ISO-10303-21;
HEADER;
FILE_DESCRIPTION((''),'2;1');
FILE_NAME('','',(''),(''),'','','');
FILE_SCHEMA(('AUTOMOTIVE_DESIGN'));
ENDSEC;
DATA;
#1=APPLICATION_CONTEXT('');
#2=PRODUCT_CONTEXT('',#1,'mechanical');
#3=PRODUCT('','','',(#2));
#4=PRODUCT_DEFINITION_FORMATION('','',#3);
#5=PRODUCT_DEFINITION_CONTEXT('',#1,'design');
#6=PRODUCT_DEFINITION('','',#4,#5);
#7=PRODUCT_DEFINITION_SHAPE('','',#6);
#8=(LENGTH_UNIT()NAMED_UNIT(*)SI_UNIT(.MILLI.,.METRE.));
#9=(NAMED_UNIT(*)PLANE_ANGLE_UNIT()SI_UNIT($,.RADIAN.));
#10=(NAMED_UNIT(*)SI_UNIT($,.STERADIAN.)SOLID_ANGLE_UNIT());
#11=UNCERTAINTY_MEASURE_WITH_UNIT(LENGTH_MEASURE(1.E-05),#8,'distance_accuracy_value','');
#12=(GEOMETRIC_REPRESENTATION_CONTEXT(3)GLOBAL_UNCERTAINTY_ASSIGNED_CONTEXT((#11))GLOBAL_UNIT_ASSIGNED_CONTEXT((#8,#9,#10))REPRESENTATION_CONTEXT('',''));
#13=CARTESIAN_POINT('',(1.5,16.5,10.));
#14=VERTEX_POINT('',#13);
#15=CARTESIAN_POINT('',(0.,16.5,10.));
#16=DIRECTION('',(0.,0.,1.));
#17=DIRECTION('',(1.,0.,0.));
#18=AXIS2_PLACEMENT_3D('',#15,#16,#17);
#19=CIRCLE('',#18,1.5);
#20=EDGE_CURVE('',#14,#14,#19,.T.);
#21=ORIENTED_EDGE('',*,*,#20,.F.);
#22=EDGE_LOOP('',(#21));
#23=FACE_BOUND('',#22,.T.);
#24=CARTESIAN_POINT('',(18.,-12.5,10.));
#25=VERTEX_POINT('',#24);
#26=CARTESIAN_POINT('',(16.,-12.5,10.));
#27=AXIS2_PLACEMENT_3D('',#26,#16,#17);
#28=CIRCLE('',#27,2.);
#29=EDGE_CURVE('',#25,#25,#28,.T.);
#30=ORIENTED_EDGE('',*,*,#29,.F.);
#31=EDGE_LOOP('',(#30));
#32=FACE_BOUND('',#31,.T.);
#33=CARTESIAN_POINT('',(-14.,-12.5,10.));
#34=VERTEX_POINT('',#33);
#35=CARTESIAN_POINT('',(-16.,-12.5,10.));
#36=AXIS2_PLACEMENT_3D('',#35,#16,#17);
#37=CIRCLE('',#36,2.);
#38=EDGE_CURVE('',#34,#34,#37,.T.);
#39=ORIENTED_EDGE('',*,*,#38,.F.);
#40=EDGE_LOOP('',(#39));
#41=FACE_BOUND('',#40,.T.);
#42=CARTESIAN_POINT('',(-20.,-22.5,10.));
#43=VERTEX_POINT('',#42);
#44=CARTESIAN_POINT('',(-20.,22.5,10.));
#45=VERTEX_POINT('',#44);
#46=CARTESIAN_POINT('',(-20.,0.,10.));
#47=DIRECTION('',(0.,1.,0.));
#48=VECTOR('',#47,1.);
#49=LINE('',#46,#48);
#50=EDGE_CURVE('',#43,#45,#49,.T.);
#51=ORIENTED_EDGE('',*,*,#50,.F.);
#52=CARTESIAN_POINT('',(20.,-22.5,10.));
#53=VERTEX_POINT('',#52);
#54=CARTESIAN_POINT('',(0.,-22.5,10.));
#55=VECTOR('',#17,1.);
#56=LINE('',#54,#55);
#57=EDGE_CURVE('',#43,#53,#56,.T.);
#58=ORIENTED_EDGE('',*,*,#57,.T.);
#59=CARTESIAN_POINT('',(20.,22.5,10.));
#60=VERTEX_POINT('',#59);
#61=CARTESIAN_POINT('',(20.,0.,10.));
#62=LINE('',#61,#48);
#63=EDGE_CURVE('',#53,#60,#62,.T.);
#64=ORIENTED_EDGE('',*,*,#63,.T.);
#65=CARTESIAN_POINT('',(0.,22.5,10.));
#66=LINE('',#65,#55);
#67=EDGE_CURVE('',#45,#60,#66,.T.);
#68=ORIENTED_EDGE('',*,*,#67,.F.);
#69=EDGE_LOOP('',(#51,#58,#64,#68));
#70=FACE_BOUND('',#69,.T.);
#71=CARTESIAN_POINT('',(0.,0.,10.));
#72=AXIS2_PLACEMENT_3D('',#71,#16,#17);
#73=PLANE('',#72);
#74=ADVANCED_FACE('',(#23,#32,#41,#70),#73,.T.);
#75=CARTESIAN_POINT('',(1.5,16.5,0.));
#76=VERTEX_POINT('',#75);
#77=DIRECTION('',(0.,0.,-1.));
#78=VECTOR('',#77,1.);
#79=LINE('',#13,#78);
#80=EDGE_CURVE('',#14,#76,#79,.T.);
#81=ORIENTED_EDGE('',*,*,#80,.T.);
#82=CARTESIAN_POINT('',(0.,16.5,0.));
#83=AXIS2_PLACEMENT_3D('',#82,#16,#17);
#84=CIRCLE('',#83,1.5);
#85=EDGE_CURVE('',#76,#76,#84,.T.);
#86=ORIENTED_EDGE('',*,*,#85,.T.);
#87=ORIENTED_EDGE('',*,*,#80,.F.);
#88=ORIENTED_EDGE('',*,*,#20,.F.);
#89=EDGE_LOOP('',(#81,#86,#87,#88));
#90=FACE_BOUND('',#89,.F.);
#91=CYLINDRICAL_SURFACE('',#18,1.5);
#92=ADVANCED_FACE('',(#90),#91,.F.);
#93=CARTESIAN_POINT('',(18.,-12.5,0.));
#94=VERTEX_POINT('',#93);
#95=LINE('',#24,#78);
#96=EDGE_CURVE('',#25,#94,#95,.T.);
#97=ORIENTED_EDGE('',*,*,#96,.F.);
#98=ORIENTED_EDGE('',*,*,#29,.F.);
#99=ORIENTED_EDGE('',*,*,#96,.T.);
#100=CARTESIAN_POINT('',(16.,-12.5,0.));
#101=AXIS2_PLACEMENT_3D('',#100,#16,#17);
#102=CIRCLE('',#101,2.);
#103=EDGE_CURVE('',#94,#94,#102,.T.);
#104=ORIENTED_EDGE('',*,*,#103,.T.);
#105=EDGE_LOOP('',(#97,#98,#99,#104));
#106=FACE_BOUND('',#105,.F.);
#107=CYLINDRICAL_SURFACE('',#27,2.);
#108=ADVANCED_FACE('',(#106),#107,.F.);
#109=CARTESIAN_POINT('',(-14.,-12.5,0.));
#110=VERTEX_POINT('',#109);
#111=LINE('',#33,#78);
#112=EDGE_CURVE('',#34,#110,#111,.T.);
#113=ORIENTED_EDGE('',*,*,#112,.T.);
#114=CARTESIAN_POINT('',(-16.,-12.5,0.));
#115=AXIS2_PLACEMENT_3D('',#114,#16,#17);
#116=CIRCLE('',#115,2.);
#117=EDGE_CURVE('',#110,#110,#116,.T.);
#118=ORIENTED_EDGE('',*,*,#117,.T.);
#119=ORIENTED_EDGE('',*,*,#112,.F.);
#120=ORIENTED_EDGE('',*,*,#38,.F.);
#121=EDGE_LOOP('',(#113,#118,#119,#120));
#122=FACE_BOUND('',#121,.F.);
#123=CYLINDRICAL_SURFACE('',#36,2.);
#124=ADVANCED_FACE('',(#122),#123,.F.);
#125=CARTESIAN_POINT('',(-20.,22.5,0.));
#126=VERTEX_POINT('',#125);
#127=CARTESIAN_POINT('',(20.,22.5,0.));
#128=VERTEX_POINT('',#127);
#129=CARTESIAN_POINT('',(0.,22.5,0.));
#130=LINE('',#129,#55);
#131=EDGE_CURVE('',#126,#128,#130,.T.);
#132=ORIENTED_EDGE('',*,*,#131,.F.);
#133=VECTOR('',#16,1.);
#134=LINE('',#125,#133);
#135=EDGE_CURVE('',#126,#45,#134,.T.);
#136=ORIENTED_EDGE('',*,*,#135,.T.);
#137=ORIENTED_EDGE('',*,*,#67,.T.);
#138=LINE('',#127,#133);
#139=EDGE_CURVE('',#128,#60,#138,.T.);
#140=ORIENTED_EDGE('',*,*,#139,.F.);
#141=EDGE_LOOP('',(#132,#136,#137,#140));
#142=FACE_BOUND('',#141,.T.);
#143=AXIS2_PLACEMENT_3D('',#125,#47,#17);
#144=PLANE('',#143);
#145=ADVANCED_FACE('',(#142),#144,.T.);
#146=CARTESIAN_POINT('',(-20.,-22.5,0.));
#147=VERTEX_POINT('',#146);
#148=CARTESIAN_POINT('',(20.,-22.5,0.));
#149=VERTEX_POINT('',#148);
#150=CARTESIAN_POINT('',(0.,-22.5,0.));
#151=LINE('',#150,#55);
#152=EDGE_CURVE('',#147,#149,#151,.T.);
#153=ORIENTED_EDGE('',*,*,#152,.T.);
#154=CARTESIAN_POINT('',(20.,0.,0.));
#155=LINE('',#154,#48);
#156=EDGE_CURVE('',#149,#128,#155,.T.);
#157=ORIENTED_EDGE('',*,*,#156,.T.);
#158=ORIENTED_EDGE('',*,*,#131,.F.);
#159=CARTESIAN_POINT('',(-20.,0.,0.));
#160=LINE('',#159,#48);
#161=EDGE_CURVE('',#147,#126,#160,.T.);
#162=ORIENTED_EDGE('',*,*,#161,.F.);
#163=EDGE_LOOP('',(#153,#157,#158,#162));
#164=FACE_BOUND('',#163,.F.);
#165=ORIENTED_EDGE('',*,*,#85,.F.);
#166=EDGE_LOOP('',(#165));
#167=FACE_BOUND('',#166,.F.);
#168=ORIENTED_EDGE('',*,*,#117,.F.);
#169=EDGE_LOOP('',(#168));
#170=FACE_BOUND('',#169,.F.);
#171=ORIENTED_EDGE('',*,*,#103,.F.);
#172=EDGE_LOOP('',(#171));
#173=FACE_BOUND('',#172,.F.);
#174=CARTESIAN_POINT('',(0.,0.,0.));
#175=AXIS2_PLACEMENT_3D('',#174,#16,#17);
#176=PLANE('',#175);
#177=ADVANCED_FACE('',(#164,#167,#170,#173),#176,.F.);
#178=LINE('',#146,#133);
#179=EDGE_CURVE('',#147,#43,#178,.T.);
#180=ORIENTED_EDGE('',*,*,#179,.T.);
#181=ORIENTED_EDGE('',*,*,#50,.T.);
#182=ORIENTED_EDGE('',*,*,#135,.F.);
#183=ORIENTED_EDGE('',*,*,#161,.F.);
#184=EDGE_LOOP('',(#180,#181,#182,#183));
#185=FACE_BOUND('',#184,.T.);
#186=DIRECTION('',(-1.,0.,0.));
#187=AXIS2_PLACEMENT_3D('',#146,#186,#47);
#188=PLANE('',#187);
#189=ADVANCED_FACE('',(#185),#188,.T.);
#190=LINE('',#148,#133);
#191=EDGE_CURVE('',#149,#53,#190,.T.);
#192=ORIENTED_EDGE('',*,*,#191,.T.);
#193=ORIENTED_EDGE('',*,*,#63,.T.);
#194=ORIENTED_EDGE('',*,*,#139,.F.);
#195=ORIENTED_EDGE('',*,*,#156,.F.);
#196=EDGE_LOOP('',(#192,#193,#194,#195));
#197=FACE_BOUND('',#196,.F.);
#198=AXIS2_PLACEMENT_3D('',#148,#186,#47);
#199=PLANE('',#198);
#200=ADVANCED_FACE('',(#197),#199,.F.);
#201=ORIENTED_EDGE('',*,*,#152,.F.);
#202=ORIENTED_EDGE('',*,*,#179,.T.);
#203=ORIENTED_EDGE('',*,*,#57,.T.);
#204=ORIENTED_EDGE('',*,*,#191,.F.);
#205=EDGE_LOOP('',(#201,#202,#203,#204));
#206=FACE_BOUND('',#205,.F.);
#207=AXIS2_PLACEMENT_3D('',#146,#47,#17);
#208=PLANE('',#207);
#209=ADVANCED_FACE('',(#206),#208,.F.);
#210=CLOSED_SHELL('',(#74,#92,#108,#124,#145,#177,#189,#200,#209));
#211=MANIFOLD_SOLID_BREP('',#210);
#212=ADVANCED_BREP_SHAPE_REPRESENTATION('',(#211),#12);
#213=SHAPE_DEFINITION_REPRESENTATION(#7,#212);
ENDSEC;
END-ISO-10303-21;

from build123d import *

# Parameters (mm, degrees)
F0_W     = 40
F0_H     = 45
F1_DEPTH = 10
F2_R     = 1.5
F3_DEPTH = 25
F4_R     = 2
F5_DEPTH = 25


with BuildPart() as f1:
    # F0 (on Top) → F1 (new body)
    with BuildSketch(Plane.XY):
        Rectangle(F0_W, F0_H)
    extrude(amount=F1_DEPTH)

    # F2 (on face) → F3 (cut)
    with BuildSketch(Plane.XY.offset(10)):
        with Locations((0, 16.5)):
            Circle(F2_R)
    extrude(amount=-F3_DEPTH, mode=Mode.SUBTRACT)

    # F4 (on face) → F5 (cut)
    with BuildSketch(Plane.XY.offset(10)):
        with Locations((16, -12.5)):
            Circle(F4_R)
        with Locations((-16, -12.5)):
            Circle(F4_R)
    extrude(amount=-F5_DEPTH, mode=Mode.SUBTRACT)


solid = f1.part
